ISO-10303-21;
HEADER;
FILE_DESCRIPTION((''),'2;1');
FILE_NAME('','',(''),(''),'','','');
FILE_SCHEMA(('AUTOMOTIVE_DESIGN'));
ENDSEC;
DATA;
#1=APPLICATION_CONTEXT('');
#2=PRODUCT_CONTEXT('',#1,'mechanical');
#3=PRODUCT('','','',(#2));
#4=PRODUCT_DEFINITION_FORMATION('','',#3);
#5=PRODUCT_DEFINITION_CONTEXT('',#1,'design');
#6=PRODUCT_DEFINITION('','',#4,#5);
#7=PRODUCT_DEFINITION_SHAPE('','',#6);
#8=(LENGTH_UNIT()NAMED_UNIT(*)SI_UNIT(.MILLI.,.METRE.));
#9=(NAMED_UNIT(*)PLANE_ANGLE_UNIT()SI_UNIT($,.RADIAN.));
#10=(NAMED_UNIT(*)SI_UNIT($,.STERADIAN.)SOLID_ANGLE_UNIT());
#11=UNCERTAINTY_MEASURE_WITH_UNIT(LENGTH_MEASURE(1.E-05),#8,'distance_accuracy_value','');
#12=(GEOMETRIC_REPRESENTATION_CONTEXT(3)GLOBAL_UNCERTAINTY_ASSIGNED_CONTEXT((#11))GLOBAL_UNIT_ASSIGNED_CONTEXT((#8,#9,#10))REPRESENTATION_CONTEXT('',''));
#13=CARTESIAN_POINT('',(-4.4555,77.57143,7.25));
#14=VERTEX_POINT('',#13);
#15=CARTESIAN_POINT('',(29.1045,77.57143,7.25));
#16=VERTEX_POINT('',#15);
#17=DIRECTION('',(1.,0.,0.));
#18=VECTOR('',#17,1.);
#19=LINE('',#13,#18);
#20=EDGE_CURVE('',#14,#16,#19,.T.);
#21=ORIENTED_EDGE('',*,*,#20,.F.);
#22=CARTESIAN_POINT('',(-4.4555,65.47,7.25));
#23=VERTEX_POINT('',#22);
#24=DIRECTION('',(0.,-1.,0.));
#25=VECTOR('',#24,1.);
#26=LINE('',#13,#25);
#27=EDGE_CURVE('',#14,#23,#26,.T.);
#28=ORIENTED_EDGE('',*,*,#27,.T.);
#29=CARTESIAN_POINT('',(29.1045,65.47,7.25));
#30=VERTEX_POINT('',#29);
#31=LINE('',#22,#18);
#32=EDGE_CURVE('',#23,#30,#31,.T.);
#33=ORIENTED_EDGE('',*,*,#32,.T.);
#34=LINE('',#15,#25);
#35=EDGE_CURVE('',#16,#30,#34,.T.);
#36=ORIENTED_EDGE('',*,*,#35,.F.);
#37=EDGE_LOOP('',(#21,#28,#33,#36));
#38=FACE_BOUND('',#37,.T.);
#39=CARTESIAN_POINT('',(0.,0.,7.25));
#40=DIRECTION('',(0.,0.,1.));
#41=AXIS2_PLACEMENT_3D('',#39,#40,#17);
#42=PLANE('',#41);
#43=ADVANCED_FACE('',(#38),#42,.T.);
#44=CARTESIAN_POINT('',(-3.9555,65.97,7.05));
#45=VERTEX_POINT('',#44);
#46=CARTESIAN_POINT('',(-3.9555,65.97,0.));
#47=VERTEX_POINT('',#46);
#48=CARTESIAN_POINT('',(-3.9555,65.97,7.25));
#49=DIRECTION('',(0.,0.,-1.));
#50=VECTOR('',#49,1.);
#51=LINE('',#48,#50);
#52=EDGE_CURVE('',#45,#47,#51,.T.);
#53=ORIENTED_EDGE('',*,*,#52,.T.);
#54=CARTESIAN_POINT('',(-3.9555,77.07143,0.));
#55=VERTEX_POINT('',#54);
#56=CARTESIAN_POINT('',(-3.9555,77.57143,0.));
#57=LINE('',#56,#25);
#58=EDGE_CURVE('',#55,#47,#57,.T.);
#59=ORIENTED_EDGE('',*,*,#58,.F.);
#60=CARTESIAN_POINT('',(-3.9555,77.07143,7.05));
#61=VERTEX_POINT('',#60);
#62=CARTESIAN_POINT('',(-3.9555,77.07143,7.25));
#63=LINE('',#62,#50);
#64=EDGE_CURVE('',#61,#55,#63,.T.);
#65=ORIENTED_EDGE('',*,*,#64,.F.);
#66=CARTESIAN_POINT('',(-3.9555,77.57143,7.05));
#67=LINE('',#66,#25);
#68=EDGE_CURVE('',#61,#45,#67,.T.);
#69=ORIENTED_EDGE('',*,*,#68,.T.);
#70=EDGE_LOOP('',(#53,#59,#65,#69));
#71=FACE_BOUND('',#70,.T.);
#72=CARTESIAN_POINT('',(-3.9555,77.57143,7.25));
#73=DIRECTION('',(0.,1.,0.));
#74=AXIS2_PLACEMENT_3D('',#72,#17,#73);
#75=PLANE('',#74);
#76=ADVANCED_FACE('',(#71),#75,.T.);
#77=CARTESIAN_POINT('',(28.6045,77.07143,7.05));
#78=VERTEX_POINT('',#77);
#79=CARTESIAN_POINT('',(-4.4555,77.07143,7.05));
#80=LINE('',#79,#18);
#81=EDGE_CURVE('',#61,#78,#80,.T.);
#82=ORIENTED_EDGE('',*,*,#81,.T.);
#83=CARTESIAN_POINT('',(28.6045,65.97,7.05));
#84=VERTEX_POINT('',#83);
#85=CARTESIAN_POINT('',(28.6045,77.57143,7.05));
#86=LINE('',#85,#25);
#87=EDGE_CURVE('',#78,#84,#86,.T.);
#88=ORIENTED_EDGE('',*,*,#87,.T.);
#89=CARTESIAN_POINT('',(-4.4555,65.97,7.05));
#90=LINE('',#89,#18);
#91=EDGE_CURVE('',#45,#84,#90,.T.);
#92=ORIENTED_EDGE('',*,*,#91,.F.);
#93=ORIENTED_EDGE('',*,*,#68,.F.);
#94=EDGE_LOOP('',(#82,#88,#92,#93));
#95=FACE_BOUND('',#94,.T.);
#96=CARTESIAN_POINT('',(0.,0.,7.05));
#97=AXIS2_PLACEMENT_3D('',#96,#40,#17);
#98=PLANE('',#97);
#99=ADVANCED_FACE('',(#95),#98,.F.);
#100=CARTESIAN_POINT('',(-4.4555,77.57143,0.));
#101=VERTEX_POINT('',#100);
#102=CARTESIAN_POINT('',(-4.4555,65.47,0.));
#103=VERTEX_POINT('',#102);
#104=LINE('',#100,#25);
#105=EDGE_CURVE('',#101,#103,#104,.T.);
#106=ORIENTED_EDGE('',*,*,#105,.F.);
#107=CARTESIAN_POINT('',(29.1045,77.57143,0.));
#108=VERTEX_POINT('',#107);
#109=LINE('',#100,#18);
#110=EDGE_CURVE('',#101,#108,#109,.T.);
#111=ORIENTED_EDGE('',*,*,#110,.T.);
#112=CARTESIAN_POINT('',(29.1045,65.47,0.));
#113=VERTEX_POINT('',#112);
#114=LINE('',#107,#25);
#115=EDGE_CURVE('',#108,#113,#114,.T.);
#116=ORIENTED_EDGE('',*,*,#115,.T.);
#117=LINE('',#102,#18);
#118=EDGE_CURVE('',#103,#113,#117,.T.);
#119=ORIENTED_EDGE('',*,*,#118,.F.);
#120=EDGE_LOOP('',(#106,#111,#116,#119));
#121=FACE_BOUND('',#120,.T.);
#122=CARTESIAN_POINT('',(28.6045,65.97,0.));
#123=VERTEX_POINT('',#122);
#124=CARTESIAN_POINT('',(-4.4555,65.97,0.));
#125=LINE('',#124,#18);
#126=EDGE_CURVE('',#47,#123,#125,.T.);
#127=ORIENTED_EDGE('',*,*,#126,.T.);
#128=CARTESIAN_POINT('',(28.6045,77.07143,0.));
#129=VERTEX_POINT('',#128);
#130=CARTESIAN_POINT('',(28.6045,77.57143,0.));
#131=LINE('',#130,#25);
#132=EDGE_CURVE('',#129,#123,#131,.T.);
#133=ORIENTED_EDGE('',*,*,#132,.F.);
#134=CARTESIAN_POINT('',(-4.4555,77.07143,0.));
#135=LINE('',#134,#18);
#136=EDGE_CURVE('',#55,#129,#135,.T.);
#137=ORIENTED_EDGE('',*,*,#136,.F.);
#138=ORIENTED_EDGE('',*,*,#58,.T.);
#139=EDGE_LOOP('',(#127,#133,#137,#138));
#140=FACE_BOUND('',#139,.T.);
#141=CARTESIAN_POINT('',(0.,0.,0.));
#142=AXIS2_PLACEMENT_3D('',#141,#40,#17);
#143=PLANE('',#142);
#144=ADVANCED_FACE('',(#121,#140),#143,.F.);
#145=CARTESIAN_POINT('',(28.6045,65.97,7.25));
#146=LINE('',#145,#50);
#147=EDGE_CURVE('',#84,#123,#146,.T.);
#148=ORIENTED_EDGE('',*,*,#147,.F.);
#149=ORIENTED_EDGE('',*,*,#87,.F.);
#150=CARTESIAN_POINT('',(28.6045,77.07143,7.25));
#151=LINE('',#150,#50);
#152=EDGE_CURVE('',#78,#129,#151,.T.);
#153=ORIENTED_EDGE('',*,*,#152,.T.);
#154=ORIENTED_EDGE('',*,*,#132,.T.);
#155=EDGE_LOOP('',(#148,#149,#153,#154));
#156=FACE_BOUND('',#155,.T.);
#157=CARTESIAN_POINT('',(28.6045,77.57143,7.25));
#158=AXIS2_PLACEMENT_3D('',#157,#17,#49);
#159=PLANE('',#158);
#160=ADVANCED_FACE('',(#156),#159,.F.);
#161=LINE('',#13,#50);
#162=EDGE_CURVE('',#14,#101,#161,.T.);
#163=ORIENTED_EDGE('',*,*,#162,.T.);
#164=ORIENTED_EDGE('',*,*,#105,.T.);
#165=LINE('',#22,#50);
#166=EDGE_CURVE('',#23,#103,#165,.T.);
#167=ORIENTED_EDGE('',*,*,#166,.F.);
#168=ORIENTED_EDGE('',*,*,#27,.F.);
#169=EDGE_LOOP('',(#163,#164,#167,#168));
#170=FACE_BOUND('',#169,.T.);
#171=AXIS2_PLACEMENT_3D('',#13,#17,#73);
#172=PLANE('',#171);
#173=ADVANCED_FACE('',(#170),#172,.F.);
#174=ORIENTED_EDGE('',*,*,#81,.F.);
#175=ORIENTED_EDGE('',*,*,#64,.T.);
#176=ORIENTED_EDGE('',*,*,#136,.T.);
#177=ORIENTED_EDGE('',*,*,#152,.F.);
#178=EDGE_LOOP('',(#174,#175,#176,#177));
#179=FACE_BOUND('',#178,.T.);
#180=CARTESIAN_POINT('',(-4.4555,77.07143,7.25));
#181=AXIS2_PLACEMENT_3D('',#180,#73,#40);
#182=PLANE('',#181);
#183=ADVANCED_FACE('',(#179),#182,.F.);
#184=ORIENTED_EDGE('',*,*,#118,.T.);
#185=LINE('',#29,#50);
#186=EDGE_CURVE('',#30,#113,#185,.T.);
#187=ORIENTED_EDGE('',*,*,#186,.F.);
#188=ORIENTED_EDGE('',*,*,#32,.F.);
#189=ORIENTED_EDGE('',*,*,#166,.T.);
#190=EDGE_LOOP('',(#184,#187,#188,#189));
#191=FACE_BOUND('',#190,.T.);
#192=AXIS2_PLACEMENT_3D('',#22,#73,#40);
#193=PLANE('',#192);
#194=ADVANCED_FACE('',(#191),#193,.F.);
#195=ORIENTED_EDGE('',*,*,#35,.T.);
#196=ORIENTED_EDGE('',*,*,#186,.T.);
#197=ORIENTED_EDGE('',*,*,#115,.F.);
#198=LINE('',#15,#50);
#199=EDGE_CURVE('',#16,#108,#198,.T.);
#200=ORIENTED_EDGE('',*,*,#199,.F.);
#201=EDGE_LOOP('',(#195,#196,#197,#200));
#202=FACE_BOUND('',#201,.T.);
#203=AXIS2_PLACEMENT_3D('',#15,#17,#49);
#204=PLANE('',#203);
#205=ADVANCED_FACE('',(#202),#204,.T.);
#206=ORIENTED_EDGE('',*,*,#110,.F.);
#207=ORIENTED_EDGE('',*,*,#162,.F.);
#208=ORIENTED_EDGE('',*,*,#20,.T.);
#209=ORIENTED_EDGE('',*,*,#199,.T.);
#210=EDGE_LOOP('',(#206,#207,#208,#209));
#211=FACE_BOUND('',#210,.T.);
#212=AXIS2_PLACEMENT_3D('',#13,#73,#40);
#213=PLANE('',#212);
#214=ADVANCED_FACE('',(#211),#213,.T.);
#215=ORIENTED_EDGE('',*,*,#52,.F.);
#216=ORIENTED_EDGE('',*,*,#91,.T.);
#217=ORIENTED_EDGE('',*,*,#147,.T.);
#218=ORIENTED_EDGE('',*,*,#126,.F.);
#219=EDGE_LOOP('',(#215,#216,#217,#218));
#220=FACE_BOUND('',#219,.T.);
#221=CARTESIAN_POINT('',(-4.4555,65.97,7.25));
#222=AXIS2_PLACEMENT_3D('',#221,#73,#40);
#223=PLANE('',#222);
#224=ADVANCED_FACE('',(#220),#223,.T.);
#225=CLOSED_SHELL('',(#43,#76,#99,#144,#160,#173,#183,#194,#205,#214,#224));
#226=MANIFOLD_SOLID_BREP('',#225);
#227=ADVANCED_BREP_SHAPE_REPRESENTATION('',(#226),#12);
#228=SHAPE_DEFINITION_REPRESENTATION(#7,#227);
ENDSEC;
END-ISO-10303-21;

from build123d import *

# Parameters (mm, degrees)
SKETCH1_W                 = 33.56
SKETCH1_H                 = 12.101430126
BOSS_EXTRUDE1_DEPTH       = 7.25
SHELL1_T                  = -0.5
SHELL1_THICKNESS_2_FACE_W = 32.56
SHELL1_THICKNESS_2_FACE_H = 11.101430126
SHELL1_THICKNESS_2_DEPTH  = 0.3


with BuildPart() as part:
    # Sketch1 → Boss-Extrude1 (new body)
    with BuildSketch(Plane.XY):
        with Locations((12.3245, 71.520715063)):
            Rectangle(SKETCH1_W, SKETCH1_H)
    extrude(amount=BOSS_EXTRUDE1_DEPTH)

    # Shell1
    shell1_openings = [part.faces().sort_by_distance(p)[0] for p in [
        (12.3245, 71.520715063, 0),
    ]]
    offset(amount=SHELL1_T, openings=shell1_openings, kind=Kind.INTERSECTION)

    # Shell1 thickness 2 face (on inner face of the shell) → Shell1 thickness 2 (cut)
    with BuildSketch(Plane(origin=(12.3245, 71.520715063, 6.75), x_dir=(1, 0, 0), z_dir=(0, 0, 1))):
        Rectangle(SHELL1_THICKNESS_2_FACE_W, SHELL1_THICKNESS_2_FACE_H)
    extrude(amount=SHELL1_THICKNESS_2_DEPTH, mode=Mode.SUBTRACT)


solid = part.part
